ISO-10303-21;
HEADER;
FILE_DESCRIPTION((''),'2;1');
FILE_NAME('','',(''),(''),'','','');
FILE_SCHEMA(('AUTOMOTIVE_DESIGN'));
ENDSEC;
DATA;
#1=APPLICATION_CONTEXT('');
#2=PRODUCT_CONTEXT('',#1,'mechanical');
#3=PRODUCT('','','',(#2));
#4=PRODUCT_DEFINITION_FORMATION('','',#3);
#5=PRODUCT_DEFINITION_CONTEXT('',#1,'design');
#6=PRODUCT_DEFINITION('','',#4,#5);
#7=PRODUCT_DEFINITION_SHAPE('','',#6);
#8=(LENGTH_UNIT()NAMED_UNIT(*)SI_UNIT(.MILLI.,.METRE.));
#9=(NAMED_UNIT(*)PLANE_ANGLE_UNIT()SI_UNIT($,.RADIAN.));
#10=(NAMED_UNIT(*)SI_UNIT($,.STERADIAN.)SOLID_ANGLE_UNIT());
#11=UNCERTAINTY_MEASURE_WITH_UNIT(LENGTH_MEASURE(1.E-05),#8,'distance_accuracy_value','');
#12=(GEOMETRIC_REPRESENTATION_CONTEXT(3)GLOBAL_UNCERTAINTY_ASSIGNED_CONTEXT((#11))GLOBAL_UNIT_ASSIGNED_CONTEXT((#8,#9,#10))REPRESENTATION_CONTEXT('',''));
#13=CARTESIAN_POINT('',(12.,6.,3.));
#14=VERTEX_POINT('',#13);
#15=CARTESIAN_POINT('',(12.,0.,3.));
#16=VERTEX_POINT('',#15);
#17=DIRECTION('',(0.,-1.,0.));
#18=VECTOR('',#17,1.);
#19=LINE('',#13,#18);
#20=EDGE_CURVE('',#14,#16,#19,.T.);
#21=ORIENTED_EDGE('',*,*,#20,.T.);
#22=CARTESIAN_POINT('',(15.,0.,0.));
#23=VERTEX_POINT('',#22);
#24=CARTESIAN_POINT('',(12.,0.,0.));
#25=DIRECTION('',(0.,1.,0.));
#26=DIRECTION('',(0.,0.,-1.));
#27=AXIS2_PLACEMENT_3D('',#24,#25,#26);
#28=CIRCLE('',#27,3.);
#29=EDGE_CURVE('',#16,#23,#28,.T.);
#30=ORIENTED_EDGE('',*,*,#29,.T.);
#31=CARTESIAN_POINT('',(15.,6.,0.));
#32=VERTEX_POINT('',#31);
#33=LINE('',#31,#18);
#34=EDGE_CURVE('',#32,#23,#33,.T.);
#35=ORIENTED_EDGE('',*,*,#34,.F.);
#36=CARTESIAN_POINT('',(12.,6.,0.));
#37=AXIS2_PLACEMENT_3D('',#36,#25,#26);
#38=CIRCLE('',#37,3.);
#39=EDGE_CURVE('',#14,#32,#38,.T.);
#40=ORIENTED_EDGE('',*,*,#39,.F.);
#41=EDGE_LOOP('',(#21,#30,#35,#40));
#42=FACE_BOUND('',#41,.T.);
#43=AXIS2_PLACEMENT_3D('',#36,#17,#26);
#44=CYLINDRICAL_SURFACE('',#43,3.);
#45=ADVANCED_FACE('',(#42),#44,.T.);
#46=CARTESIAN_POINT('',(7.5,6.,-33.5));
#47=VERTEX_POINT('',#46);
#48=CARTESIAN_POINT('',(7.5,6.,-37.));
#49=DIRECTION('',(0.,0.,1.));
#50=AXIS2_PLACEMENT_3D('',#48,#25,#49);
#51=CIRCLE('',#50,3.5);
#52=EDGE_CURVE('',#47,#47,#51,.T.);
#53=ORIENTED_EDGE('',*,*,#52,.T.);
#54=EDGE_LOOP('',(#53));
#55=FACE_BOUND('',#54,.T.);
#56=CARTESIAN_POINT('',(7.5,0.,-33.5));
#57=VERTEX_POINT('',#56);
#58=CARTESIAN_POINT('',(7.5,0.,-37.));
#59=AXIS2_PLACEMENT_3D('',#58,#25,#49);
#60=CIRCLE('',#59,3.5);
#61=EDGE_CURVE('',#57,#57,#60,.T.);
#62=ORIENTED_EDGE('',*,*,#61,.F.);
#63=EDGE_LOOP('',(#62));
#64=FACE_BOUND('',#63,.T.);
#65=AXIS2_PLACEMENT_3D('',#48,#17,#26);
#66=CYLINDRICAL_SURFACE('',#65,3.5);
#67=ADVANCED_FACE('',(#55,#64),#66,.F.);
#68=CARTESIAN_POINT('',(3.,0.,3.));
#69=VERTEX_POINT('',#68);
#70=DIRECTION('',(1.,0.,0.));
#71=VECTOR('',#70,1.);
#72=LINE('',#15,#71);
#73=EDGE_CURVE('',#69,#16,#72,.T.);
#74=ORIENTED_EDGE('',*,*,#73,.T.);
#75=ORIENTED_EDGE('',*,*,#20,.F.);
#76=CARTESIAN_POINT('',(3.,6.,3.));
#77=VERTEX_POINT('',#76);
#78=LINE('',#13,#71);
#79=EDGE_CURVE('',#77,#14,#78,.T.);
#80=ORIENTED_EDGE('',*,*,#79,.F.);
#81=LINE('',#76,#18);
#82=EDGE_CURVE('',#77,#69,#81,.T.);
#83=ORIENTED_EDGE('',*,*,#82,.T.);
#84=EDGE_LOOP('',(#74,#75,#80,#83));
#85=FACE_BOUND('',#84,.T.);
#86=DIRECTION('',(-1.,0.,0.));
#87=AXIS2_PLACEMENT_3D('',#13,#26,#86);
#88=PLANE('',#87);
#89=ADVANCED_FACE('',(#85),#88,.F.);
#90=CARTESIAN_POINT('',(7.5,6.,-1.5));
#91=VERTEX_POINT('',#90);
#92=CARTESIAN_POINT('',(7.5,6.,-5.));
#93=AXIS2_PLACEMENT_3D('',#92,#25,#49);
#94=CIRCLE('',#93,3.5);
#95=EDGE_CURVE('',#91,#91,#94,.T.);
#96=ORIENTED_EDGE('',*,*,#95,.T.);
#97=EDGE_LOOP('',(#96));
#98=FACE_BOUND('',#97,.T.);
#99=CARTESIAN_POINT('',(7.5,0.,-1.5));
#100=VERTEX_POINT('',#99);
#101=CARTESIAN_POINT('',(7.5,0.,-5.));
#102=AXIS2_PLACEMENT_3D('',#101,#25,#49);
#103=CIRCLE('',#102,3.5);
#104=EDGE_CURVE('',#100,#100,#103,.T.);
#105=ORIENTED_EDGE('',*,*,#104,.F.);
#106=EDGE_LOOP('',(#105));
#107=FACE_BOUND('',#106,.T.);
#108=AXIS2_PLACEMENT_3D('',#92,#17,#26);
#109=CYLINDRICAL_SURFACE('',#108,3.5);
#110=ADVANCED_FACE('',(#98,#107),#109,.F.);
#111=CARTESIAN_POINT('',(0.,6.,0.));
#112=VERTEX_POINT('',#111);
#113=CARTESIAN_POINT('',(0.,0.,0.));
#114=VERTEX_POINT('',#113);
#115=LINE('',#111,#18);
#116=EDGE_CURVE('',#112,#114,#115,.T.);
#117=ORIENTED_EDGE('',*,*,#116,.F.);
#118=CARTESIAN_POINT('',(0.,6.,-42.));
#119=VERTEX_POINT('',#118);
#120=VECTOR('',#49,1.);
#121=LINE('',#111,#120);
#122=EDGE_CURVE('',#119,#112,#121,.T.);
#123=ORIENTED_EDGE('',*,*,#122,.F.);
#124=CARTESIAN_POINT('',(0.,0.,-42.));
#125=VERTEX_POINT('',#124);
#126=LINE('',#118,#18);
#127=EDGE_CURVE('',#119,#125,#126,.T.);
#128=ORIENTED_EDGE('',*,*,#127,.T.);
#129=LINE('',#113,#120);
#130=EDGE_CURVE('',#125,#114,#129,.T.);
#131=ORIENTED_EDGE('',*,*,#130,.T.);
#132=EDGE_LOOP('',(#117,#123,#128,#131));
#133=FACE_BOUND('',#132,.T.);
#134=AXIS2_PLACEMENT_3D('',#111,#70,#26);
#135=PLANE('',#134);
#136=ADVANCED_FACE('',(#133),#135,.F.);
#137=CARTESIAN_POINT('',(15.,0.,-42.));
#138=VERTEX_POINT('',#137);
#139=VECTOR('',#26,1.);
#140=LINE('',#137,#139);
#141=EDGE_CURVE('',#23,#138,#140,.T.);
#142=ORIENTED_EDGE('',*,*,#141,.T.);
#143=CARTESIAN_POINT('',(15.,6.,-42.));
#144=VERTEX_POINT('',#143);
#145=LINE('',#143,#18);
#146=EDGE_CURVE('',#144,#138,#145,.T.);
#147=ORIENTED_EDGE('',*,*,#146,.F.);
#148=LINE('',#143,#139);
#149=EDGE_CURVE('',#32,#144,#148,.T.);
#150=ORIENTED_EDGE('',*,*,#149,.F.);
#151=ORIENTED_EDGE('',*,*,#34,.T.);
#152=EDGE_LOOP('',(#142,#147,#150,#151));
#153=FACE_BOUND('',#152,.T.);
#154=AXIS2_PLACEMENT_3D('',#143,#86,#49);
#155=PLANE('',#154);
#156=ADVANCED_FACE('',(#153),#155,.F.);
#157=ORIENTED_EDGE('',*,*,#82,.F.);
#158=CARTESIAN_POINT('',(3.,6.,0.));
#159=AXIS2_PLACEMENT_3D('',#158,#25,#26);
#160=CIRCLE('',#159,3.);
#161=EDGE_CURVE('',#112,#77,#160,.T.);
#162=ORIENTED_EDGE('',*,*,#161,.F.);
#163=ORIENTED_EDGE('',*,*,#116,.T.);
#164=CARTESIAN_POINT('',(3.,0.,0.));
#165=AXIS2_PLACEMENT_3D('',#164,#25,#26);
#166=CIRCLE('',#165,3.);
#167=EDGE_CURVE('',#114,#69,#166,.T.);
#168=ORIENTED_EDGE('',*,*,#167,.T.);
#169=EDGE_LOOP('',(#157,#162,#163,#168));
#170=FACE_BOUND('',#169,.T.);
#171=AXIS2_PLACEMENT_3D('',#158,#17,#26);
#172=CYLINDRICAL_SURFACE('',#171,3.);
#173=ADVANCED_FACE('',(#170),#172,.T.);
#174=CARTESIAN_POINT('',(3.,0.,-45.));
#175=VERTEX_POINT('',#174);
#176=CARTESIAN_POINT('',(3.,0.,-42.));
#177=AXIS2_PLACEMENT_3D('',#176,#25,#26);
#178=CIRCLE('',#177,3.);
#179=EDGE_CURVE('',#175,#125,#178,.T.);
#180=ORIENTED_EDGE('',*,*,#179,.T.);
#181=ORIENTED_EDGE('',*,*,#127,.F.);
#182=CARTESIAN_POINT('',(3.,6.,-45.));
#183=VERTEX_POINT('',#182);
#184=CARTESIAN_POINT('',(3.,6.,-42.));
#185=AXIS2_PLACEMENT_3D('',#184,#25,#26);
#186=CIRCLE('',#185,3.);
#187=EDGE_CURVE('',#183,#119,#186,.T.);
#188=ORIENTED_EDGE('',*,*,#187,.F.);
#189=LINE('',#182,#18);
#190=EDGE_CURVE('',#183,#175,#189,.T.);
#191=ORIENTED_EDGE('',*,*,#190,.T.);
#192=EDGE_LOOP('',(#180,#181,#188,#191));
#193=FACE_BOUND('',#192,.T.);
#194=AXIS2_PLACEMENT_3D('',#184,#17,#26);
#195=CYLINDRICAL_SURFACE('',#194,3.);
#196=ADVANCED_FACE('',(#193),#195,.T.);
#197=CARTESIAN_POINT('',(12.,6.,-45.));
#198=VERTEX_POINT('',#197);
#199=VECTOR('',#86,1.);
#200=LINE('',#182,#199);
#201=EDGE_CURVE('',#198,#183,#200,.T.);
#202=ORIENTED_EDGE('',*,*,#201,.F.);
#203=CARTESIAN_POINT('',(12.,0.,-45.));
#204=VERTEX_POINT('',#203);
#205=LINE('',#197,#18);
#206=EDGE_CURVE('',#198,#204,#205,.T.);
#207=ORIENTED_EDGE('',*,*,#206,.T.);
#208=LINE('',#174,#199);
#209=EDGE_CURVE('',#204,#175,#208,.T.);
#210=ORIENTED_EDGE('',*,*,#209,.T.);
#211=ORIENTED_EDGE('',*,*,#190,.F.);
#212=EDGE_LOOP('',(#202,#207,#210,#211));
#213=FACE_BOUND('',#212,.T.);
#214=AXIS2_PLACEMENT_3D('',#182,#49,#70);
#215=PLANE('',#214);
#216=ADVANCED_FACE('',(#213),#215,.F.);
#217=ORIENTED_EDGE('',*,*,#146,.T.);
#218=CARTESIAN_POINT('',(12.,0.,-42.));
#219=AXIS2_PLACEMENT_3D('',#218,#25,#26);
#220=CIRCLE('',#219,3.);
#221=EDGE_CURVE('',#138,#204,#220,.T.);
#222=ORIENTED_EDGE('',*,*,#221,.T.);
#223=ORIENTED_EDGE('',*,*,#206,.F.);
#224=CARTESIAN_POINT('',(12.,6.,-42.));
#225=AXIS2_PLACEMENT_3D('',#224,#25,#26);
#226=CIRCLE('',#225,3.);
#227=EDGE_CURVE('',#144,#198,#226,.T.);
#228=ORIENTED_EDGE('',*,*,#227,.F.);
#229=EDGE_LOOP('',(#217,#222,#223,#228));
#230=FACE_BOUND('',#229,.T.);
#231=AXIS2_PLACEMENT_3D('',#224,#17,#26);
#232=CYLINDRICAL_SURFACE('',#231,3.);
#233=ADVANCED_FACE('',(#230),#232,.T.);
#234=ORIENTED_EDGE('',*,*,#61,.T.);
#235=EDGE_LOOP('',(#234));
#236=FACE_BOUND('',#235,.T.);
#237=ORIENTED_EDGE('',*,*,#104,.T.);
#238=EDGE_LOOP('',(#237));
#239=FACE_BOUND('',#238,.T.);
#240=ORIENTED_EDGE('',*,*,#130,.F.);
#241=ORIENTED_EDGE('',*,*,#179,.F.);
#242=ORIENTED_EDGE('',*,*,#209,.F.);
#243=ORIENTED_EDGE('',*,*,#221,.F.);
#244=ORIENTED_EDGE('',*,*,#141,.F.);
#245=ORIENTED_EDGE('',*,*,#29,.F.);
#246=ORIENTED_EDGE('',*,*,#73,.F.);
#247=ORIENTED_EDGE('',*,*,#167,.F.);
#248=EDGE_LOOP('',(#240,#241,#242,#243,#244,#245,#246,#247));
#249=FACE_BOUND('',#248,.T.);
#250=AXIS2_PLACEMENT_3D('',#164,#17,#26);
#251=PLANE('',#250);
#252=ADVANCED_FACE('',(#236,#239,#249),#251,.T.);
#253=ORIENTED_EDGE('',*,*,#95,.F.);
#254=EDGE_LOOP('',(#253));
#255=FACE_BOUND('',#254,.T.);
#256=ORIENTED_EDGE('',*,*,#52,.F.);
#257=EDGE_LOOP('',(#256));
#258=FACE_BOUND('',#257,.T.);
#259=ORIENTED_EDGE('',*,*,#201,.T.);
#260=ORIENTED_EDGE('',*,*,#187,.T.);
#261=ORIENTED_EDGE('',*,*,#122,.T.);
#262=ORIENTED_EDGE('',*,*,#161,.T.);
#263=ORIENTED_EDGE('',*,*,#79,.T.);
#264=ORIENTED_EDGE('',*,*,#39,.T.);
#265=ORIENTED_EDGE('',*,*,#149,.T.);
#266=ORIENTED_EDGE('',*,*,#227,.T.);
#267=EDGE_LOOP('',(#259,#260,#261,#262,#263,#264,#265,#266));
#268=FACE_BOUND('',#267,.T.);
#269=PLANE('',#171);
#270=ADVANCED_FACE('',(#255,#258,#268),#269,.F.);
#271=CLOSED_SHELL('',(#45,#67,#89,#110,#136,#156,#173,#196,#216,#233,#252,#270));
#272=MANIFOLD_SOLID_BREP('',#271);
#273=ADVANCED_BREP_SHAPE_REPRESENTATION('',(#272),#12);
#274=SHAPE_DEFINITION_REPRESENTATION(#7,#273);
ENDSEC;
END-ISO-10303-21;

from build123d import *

# Parameters (mm, degrees)
SKETCH1_R           = 3.5
BOSS_EXTRUDE1_DEPTH = 6


with BuildPart() as part:
    # Sketch1 → Boss-Extrude1 (new body)
    with BuildSketch(Plane(origin=(0, 0, 0), x_dir=(1, 0, 0), z_dir=(0, 1, 0))):
        with BuildLine():
            Line((0, 0), (0, 42))
            ThreePointArc((0, 42), (0.878679656, 44.121320344), (3, 45))
            Line((3, 45), (12, 45))
            ThreePointArc((12, 45), (14.121320344, 44.121320344), (15, 42))
            Line((15, 42), (15, 0))
            ThreePointArc((15, 0), (14.121320344, -2.121320344), (12, -3))
            Line((12, -3), (3, -3))
            ThreePointArc((3, -3), (0.878679656, -2.121320344), (0, 0))
        make_face()
        with Locations(Location((7.5, 37, 0), (0, 0, 270))):
            Circle(SKETCH1_R, mode=Mode.SUBTRACT)
        with Locations(Location((7.5, 5, 0), (0, 0, 270))):
            Circle(SKETCH1_R, mode=Mode.SUBTRACT)
    extrude(amount=BOSS_EXTRUDE1_DEPTH)


solid = part.part
